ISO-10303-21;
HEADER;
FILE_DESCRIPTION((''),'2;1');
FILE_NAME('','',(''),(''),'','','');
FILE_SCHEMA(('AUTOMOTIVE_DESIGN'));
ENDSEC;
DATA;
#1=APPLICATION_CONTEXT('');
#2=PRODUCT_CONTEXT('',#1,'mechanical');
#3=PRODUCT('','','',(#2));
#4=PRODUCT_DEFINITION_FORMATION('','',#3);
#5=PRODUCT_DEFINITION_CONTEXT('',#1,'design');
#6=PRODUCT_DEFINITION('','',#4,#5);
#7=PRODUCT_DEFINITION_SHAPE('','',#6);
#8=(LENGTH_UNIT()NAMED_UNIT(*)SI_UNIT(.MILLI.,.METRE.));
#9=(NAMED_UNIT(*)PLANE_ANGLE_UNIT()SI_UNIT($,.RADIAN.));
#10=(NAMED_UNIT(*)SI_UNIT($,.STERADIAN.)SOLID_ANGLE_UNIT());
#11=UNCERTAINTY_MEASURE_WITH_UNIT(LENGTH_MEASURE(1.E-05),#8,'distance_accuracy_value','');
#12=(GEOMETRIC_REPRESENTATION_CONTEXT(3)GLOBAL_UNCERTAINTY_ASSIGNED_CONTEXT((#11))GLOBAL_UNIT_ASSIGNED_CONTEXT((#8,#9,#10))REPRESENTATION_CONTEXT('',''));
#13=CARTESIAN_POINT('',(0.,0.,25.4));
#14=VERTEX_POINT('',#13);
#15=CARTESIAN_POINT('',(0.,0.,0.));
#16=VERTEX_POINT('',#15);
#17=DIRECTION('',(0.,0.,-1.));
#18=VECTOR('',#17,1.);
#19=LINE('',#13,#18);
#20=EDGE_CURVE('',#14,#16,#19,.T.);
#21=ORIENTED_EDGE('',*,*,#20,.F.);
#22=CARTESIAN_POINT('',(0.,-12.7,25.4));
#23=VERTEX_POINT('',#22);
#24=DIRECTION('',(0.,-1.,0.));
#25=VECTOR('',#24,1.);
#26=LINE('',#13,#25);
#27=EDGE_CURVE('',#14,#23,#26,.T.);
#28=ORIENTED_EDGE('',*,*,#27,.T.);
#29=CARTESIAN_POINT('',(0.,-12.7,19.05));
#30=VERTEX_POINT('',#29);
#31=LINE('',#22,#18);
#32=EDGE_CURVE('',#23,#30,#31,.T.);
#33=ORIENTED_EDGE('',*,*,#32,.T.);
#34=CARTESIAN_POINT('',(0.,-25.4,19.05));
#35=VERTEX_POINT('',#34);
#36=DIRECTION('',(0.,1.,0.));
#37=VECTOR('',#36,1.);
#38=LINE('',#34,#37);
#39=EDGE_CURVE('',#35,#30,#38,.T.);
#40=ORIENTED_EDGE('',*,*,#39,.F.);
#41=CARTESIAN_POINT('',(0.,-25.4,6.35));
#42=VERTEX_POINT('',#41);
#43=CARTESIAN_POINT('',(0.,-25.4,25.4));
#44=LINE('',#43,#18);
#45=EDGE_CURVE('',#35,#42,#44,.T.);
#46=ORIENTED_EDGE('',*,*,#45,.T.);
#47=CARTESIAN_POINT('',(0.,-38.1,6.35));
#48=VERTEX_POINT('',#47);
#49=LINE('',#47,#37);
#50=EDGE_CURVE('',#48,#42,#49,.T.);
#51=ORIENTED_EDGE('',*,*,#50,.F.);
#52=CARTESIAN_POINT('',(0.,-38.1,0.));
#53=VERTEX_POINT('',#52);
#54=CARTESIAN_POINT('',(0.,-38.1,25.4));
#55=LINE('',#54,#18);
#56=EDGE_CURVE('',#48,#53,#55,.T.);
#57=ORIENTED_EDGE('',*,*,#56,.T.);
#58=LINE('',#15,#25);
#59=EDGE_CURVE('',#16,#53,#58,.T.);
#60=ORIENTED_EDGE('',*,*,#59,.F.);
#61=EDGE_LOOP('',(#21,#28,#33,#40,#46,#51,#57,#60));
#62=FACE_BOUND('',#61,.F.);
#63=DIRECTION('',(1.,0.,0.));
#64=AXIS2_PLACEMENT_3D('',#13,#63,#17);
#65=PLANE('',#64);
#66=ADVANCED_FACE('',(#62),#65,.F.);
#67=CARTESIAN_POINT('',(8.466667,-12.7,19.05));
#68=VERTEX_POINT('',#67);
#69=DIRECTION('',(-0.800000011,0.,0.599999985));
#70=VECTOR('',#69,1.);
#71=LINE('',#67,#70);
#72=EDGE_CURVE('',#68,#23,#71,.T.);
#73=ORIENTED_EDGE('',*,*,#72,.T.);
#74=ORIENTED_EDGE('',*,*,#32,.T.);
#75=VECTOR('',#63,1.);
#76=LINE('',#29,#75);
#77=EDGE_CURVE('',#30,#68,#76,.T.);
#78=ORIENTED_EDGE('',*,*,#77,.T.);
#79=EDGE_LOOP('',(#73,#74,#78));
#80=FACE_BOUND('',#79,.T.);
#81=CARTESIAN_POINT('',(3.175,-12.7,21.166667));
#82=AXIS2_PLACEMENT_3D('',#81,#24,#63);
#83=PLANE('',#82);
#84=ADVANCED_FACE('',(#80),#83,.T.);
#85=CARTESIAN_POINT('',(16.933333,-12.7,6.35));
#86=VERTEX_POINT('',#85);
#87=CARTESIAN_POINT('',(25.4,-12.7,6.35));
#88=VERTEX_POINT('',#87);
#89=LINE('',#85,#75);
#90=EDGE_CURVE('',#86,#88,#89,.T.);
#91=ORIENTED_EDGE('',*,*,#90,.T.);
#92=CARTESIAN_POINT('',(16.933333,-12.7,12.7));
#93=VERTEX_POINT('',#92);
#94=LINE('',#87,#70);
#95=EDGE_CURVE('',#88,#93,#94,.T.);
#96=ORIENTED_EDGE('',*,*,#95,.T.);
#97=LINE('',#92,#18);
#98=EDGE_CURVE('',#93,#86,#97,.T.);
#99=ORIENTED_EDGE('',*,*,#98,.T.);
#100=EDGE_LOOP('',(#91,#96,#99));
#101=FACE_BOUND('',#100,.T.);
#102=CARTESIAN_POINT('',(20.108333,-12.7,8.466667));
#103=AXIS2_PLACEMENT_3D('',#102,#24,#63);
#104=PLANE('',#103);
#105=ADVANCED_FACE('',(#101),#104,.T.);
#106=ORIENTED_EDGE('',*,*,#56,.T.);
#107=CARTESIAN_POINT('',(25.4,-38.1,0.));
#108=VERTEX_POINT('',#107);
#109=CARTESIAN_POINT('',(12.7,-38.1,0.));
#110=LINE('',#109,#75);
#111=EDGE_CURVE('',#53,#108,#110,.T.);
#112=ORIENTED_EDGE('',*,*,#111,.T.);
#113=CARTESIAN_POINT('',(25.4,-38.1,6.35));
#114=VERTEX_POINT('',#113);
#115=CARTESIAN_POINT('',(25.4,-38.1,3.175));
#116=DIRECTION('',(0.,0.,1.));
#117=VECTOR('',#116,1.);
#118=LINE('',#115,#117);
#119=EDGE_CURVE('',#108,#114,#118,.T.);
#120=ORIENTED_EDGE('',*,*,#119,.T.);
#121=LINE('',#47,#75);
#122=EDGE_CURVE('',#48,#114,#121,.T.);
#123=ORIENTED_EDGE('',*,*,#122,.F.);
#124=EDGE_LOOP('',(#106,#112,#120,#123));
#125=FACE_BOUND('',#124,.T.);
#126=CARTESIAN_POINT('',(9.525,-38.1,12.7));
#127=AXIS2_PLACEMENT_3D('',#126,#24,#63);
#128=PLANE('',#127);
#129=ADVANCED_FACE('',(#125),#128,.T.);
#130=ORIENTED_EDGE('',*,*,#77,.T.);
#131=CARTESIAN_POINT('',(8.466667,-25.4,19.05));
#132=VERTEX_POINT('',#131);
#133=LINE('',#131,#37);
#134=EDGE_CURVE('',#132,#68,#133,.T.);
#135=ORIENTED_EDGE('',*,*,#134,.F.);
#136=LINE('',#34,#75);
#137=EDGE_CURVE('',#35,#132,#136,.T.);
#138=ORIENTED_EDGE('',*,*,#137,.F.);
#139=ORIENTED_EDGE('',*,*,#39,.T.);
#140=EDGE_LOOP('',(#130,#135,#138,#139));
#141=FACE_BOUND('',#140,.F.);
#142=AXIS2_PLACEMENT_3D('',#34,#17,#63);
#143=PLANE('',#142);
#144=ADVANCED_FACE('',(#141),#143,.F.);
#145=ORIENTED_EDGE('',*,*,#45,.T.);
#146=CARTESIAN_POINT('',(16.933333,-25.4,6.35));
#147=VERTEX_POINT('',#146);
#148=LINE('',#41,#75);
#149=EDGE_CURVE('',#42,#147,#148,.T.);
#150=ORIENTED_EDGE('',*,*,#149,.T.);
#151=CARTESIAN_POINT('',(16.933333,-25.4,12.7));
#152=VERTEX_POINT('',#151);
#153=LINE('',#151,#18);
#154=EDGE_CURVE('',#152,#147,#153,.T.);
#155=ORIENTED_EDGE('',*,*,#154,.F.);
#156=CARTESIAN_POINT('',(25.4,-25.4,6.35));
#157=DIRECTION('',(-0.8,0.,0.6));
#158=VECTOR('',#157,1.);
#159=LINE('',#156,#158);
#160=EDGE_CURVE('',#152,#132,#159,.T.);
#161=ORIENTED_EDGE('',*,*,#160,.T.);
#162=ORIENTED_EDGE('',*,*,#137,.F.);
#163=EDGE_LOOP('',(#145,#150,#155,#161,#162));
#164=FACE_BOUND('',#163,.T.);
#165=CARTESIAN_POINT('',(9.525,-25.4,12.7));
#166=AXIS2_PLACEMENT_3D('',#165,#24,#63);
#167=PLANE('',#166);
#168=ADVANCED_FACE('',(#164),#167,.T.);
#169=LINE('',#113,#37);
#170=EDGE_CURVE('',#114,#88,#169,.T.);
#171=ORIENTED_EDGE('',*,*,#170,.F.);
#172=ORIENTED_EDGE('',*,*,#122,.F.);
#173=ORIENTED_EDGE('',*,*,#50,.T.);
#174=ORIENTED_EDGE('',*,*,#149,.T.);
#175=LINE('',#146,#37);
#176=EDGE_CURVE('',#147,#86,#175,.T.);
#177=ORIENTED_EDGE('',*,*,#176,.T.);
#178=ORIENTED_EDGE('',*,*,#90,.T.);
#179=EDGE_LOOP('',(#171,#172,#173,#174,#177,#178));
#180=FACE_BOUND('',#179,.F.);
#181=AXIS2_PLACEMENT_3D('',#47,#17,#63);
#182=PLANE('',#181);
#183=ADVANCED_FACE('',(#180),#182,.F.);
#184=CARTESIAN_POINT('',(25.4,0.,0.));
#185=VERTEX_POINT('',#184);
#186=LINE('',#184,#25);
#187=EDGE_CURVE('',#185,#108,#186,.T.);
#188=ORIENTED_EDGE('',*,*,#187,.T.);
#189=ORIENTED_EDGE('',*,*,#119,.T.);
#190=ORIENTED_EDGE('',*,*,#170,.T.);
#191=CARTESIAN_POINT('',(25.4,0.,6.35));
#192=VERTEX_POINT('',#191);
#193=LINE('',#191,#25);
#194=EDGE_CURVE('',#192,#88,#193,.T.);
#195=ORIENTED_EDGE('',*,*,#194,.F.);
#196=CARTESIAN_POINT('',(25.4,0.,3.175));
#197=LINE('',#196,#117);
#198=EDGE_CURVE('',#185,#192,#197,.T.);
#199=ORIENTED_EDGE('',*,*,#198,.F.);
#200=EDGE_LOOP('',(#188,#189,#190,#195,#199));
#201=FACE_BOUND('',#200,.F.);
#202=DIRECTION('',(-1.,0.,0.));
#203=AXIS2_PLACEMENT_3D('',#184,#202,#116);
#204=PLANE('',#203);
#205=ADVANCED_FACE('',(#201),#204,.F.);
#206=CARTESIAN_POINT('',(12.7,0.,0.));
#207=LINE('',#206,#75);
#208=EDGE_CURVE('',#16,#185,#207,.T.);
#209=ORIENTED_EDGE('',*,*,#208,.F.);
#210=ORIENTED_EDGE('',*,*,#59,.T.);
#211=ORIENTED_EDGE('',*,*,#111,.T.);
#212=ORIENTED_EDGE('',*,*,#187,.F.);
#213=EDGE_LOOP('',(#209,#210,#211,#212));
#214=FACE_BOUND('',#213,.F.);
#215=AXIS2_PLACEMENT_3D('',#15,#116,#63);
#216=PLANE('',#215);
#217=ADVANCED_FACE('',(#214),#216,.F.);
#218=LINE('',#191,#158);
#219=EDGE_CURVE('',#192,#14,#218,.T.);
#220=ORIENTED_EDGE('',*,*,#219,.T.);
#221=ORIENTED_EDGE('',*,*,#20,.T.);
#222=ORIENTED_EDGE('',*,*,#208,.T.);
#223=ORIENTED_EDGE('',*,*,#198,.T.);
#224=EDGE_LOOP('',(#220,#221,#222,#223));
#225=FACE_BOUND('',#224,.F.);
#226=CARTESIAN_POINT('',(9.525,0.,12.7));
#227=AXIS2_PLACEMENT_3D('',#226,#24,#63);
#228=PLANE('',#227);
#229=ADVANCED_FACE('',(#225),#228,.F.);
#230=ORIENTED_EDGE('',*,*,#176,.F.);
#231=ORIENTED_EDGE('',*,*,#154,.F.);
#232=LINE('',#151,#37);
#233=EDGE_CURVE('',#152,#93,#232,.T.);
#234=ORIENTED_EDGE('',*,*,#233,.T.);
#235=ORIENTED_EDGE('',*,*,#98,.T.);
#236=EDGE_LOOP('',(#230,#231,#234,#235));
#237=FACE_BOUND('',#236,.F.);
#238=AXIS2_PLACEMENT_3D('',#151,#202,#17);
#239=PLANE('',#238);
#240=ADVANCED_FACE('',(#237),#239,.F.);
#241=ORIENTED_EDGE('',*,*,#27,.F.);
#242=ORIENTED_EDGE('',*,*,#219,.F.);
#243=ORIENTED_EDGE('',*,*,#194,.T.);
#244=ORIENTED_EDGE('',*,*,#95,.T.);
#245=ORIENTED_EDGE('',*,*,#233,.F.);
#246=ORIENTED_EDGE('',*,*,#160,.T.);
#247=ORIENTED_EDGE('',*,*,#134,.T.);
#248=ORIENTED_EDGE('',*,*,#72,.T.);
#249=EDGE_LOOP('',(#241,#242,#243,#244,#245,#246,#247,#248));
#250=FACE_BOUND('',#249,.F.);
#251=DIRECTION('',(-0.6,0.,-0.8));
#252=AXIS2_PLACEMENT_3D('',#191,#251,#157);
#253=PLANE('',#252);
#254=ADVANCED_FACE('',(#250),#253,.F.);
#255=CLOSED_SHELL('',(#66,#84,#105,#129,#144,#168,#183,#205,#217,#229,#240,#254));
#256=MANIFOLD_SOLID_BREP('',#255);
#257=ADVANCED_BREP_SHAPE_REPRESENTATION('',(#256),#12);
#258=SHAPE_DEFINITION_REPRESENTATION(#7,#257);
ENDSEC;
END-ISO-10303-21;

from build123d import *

# Parameters (mm, degrees)
F0_W     = 25.4
F0_H     = 6.35
F1_DEPTH = 38.1
F3_DEPTH = 12.7
F5_DEPTH = 12.7


with BuildPart() as f1:
    # F0 (on Front) → F1 (new body)
    with BuildSketch(Plane.XZ):
        Polygon((0, 25.4), (0, 6.35), (25.4, 6.35), align=None)
        with Locations((12.7, 3.175)):
            Rectangle(F0_W, F0_H)
    extrude(amount=F1_DEPTH)

    # F2 (on face) → F3 (cut)
    with BuildSketch(Plane.XZ.offset(38.1)):
        Polygon((0, 25.4), (0, 6.35), (25.4, 6.35), align=None)
    extrude(amount=-F3_DEPTH, mode=Mode.SUBTRACT)

    # F4 (on face) → F5 (cut)
    with BuildSketch(Plane.XZ.offset(25.4)):
        Polygon((8.466667, 19.05), (0, 25.4), (0, 19.05), align=None)
        Polygon((25.4, 6.35), (16.933333, 12.7), (16.933333, 6.35), align=None)
    extrude(amount=-F5_DEPTH, mode=Mode.SUBTRACT)


solid = f1.part
